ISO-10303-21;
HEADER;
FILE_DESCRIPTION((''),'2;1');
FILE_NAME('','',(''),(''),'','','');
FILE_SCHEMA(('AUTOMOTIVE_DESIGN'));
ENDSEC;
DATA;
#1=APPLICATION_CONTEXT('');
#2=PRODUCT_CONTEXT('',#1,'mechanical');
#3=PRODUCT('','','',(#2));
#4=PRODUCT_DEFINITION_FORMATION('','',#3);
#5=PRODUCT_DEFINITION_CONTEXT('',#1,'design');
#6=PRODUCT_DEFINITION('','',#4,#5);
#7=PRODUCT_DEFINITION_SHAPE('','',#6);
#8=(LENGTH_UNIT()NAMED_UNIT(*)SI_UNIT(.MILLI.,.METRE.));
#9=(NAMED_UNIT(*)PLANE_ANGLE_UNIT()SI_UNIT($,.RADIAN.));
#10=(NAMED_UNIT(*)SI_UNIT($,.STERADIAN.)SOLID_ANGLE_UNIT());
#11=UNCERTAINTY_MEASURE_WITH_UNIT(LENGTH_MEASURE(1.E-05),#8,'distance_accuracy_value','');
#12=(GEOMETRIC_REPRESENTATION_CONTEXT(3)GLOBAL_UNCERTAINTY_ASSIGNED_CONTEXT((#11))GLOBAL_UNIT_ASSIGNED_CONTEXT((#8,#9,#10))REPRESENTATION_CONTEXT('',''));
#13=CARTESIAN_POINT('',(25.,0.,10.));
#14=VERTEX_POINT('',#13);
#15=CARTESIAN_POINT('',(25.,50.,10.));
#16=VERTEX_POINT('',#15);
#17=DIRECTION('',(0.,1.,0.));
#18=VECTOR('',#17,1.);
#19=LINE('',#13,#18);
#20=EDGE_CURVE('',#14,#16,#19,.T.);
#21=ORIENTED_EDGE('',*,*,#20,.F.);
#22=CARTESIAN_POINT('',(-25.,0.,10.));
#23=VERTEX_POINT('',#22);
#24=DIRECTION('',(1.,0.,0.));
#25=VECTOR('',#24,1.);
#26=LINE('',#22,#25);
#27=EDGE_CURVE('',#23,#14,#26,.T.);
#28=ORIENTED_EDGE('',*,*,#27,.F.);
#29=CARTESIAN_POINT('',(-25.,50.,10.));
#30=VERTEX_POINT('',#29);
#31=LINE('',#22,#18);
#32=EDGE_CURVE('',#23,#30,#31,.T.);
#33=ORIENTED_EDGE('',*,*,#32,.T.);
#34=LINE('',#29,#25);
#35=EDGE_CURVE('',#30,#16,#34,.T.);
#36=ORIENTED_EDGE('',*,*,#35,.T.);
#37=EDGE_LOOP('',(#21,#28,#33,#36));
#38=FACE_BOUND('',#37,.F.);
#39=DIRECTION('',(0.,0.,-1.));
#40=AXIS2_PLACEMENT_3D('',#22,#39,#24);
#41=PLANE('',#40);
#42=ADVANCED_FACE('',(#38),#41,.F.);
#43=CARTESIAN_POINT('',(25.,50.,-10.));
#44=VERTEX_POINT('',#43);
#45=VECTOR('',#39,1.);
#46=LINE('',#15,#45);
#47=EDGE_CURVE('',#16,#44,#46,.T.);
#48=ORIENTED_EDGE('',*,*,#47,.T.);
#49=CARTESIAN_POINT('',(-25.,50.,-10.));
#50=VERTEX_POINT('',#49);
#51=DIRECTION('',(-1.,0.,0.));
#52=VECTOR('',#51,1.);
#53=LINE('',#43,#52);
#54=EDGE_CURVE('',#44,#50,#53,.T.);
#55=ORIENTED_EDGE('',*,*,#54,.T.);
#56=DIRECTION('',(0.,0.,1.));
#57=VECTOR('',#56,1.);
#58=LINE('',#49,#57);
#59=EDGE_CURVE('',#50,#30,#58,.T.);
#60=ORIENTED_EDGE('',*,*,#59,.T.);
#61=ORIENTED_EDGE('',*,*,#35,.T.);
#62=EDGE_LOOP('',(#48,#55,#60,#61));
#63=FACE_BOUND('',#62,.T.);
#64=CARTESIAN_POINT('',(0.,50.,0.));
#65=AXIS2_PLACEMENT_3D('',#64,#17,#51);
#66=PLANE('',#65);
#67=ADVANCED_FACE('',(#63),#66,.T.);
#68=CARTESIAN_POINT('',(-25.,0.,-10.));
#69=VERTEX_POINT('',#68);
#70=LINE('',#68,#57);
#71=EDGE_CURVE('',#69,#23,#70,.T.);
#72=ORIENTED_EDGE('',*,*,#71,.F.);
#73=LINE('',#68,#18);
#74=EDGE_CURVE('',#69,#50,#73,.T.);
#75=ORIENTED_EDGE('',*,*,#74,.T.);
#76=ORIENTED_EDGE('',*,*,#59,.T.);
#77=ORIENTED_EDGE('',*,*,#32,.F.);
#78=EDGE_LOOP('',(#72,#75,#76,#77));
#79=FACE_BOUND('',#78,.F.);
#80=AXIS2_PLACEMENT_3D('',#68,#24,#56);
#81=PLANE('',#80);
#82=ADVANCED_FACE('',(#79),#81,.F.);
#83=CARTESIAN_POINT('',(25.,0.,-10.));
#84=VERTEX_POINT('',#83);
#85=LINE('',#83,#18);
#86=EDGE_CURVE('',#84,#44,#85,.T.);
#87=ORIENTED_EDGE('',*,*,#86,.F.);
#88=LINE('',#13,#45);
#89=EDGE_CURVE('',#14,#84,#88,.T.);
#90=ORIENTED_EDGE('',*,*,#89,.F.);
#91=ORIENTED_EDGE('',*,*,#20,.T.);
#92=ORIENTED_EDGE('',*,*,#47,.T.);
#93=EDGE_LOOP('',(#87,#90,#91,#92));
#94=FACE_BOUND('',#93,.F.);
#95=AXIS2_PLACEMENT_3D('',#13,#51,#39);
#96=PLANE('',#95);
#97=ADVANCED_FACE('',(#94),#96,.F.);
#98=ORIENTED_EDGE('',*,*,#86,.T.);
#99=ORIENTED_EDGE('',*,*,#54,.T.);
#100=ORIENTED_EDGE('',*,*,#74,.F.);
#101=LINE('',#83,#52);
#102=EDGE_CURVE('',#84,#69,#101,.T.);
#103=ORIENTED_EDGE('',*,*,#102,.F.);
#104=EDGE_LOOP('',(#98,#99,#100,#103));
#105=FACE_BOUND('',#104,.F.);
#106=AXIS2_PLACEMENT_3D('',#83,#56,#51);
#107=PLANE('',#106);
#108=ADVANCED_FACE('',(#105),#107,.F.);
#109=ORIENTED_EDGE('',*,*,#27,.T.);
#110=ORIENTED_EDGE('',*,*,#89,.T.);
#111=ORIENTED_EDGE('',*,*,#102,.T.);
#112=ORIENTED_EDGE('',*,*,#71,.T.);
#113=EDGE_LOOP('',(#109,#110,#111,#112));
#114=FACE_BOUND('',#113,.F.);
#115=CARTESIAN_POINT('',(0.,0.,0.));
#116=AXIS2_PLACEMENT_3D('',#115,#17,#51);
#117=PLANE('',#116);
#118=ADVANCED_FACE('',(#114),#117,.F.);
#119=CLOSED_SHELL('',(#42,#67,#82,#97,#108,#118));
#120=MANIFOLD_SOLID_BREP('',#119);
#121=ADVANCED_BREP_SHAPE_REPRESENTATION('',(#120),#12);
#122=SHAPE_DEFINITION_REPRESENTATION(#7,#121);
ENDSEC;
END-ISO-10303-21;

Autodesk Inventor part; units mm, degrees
ref_plane "YZ Plane" through (0, 0, 0) normal (1, 0, 0) x (0, 1, 0)
ref_plane "XZ Plane" through (0, 0, 0) normal (0, 1, 0) x (-1, 0, 0)
ref_plane "XY Plane" through (0, 0, 0) normal (0, 0, 1) x (1, 0, 0)
sketch "Sketch1" plane through (0, 0, 0) normal (0, 1, 0) x (-1, 0, 0)
  line L0 (25, 10) -> (-25, 10)
  line L1 (-25, 10) -> (-25, -10)
  line L2 (-25, -10) -> (25, -10)
  line L3 (25, -10) -> (25, 10)
  line L4 (25, 10) -> (-25, -10) construction
  line L5 (-25, 10) -> (25, -10) construction
  point P0 (0, 0)
  dimension "d0" = 50
  dimension "d1" = 20
extrude "Extrusion1" add sketch "Sketch1" along normal blind 50
properties part number "REMEDIO1"
